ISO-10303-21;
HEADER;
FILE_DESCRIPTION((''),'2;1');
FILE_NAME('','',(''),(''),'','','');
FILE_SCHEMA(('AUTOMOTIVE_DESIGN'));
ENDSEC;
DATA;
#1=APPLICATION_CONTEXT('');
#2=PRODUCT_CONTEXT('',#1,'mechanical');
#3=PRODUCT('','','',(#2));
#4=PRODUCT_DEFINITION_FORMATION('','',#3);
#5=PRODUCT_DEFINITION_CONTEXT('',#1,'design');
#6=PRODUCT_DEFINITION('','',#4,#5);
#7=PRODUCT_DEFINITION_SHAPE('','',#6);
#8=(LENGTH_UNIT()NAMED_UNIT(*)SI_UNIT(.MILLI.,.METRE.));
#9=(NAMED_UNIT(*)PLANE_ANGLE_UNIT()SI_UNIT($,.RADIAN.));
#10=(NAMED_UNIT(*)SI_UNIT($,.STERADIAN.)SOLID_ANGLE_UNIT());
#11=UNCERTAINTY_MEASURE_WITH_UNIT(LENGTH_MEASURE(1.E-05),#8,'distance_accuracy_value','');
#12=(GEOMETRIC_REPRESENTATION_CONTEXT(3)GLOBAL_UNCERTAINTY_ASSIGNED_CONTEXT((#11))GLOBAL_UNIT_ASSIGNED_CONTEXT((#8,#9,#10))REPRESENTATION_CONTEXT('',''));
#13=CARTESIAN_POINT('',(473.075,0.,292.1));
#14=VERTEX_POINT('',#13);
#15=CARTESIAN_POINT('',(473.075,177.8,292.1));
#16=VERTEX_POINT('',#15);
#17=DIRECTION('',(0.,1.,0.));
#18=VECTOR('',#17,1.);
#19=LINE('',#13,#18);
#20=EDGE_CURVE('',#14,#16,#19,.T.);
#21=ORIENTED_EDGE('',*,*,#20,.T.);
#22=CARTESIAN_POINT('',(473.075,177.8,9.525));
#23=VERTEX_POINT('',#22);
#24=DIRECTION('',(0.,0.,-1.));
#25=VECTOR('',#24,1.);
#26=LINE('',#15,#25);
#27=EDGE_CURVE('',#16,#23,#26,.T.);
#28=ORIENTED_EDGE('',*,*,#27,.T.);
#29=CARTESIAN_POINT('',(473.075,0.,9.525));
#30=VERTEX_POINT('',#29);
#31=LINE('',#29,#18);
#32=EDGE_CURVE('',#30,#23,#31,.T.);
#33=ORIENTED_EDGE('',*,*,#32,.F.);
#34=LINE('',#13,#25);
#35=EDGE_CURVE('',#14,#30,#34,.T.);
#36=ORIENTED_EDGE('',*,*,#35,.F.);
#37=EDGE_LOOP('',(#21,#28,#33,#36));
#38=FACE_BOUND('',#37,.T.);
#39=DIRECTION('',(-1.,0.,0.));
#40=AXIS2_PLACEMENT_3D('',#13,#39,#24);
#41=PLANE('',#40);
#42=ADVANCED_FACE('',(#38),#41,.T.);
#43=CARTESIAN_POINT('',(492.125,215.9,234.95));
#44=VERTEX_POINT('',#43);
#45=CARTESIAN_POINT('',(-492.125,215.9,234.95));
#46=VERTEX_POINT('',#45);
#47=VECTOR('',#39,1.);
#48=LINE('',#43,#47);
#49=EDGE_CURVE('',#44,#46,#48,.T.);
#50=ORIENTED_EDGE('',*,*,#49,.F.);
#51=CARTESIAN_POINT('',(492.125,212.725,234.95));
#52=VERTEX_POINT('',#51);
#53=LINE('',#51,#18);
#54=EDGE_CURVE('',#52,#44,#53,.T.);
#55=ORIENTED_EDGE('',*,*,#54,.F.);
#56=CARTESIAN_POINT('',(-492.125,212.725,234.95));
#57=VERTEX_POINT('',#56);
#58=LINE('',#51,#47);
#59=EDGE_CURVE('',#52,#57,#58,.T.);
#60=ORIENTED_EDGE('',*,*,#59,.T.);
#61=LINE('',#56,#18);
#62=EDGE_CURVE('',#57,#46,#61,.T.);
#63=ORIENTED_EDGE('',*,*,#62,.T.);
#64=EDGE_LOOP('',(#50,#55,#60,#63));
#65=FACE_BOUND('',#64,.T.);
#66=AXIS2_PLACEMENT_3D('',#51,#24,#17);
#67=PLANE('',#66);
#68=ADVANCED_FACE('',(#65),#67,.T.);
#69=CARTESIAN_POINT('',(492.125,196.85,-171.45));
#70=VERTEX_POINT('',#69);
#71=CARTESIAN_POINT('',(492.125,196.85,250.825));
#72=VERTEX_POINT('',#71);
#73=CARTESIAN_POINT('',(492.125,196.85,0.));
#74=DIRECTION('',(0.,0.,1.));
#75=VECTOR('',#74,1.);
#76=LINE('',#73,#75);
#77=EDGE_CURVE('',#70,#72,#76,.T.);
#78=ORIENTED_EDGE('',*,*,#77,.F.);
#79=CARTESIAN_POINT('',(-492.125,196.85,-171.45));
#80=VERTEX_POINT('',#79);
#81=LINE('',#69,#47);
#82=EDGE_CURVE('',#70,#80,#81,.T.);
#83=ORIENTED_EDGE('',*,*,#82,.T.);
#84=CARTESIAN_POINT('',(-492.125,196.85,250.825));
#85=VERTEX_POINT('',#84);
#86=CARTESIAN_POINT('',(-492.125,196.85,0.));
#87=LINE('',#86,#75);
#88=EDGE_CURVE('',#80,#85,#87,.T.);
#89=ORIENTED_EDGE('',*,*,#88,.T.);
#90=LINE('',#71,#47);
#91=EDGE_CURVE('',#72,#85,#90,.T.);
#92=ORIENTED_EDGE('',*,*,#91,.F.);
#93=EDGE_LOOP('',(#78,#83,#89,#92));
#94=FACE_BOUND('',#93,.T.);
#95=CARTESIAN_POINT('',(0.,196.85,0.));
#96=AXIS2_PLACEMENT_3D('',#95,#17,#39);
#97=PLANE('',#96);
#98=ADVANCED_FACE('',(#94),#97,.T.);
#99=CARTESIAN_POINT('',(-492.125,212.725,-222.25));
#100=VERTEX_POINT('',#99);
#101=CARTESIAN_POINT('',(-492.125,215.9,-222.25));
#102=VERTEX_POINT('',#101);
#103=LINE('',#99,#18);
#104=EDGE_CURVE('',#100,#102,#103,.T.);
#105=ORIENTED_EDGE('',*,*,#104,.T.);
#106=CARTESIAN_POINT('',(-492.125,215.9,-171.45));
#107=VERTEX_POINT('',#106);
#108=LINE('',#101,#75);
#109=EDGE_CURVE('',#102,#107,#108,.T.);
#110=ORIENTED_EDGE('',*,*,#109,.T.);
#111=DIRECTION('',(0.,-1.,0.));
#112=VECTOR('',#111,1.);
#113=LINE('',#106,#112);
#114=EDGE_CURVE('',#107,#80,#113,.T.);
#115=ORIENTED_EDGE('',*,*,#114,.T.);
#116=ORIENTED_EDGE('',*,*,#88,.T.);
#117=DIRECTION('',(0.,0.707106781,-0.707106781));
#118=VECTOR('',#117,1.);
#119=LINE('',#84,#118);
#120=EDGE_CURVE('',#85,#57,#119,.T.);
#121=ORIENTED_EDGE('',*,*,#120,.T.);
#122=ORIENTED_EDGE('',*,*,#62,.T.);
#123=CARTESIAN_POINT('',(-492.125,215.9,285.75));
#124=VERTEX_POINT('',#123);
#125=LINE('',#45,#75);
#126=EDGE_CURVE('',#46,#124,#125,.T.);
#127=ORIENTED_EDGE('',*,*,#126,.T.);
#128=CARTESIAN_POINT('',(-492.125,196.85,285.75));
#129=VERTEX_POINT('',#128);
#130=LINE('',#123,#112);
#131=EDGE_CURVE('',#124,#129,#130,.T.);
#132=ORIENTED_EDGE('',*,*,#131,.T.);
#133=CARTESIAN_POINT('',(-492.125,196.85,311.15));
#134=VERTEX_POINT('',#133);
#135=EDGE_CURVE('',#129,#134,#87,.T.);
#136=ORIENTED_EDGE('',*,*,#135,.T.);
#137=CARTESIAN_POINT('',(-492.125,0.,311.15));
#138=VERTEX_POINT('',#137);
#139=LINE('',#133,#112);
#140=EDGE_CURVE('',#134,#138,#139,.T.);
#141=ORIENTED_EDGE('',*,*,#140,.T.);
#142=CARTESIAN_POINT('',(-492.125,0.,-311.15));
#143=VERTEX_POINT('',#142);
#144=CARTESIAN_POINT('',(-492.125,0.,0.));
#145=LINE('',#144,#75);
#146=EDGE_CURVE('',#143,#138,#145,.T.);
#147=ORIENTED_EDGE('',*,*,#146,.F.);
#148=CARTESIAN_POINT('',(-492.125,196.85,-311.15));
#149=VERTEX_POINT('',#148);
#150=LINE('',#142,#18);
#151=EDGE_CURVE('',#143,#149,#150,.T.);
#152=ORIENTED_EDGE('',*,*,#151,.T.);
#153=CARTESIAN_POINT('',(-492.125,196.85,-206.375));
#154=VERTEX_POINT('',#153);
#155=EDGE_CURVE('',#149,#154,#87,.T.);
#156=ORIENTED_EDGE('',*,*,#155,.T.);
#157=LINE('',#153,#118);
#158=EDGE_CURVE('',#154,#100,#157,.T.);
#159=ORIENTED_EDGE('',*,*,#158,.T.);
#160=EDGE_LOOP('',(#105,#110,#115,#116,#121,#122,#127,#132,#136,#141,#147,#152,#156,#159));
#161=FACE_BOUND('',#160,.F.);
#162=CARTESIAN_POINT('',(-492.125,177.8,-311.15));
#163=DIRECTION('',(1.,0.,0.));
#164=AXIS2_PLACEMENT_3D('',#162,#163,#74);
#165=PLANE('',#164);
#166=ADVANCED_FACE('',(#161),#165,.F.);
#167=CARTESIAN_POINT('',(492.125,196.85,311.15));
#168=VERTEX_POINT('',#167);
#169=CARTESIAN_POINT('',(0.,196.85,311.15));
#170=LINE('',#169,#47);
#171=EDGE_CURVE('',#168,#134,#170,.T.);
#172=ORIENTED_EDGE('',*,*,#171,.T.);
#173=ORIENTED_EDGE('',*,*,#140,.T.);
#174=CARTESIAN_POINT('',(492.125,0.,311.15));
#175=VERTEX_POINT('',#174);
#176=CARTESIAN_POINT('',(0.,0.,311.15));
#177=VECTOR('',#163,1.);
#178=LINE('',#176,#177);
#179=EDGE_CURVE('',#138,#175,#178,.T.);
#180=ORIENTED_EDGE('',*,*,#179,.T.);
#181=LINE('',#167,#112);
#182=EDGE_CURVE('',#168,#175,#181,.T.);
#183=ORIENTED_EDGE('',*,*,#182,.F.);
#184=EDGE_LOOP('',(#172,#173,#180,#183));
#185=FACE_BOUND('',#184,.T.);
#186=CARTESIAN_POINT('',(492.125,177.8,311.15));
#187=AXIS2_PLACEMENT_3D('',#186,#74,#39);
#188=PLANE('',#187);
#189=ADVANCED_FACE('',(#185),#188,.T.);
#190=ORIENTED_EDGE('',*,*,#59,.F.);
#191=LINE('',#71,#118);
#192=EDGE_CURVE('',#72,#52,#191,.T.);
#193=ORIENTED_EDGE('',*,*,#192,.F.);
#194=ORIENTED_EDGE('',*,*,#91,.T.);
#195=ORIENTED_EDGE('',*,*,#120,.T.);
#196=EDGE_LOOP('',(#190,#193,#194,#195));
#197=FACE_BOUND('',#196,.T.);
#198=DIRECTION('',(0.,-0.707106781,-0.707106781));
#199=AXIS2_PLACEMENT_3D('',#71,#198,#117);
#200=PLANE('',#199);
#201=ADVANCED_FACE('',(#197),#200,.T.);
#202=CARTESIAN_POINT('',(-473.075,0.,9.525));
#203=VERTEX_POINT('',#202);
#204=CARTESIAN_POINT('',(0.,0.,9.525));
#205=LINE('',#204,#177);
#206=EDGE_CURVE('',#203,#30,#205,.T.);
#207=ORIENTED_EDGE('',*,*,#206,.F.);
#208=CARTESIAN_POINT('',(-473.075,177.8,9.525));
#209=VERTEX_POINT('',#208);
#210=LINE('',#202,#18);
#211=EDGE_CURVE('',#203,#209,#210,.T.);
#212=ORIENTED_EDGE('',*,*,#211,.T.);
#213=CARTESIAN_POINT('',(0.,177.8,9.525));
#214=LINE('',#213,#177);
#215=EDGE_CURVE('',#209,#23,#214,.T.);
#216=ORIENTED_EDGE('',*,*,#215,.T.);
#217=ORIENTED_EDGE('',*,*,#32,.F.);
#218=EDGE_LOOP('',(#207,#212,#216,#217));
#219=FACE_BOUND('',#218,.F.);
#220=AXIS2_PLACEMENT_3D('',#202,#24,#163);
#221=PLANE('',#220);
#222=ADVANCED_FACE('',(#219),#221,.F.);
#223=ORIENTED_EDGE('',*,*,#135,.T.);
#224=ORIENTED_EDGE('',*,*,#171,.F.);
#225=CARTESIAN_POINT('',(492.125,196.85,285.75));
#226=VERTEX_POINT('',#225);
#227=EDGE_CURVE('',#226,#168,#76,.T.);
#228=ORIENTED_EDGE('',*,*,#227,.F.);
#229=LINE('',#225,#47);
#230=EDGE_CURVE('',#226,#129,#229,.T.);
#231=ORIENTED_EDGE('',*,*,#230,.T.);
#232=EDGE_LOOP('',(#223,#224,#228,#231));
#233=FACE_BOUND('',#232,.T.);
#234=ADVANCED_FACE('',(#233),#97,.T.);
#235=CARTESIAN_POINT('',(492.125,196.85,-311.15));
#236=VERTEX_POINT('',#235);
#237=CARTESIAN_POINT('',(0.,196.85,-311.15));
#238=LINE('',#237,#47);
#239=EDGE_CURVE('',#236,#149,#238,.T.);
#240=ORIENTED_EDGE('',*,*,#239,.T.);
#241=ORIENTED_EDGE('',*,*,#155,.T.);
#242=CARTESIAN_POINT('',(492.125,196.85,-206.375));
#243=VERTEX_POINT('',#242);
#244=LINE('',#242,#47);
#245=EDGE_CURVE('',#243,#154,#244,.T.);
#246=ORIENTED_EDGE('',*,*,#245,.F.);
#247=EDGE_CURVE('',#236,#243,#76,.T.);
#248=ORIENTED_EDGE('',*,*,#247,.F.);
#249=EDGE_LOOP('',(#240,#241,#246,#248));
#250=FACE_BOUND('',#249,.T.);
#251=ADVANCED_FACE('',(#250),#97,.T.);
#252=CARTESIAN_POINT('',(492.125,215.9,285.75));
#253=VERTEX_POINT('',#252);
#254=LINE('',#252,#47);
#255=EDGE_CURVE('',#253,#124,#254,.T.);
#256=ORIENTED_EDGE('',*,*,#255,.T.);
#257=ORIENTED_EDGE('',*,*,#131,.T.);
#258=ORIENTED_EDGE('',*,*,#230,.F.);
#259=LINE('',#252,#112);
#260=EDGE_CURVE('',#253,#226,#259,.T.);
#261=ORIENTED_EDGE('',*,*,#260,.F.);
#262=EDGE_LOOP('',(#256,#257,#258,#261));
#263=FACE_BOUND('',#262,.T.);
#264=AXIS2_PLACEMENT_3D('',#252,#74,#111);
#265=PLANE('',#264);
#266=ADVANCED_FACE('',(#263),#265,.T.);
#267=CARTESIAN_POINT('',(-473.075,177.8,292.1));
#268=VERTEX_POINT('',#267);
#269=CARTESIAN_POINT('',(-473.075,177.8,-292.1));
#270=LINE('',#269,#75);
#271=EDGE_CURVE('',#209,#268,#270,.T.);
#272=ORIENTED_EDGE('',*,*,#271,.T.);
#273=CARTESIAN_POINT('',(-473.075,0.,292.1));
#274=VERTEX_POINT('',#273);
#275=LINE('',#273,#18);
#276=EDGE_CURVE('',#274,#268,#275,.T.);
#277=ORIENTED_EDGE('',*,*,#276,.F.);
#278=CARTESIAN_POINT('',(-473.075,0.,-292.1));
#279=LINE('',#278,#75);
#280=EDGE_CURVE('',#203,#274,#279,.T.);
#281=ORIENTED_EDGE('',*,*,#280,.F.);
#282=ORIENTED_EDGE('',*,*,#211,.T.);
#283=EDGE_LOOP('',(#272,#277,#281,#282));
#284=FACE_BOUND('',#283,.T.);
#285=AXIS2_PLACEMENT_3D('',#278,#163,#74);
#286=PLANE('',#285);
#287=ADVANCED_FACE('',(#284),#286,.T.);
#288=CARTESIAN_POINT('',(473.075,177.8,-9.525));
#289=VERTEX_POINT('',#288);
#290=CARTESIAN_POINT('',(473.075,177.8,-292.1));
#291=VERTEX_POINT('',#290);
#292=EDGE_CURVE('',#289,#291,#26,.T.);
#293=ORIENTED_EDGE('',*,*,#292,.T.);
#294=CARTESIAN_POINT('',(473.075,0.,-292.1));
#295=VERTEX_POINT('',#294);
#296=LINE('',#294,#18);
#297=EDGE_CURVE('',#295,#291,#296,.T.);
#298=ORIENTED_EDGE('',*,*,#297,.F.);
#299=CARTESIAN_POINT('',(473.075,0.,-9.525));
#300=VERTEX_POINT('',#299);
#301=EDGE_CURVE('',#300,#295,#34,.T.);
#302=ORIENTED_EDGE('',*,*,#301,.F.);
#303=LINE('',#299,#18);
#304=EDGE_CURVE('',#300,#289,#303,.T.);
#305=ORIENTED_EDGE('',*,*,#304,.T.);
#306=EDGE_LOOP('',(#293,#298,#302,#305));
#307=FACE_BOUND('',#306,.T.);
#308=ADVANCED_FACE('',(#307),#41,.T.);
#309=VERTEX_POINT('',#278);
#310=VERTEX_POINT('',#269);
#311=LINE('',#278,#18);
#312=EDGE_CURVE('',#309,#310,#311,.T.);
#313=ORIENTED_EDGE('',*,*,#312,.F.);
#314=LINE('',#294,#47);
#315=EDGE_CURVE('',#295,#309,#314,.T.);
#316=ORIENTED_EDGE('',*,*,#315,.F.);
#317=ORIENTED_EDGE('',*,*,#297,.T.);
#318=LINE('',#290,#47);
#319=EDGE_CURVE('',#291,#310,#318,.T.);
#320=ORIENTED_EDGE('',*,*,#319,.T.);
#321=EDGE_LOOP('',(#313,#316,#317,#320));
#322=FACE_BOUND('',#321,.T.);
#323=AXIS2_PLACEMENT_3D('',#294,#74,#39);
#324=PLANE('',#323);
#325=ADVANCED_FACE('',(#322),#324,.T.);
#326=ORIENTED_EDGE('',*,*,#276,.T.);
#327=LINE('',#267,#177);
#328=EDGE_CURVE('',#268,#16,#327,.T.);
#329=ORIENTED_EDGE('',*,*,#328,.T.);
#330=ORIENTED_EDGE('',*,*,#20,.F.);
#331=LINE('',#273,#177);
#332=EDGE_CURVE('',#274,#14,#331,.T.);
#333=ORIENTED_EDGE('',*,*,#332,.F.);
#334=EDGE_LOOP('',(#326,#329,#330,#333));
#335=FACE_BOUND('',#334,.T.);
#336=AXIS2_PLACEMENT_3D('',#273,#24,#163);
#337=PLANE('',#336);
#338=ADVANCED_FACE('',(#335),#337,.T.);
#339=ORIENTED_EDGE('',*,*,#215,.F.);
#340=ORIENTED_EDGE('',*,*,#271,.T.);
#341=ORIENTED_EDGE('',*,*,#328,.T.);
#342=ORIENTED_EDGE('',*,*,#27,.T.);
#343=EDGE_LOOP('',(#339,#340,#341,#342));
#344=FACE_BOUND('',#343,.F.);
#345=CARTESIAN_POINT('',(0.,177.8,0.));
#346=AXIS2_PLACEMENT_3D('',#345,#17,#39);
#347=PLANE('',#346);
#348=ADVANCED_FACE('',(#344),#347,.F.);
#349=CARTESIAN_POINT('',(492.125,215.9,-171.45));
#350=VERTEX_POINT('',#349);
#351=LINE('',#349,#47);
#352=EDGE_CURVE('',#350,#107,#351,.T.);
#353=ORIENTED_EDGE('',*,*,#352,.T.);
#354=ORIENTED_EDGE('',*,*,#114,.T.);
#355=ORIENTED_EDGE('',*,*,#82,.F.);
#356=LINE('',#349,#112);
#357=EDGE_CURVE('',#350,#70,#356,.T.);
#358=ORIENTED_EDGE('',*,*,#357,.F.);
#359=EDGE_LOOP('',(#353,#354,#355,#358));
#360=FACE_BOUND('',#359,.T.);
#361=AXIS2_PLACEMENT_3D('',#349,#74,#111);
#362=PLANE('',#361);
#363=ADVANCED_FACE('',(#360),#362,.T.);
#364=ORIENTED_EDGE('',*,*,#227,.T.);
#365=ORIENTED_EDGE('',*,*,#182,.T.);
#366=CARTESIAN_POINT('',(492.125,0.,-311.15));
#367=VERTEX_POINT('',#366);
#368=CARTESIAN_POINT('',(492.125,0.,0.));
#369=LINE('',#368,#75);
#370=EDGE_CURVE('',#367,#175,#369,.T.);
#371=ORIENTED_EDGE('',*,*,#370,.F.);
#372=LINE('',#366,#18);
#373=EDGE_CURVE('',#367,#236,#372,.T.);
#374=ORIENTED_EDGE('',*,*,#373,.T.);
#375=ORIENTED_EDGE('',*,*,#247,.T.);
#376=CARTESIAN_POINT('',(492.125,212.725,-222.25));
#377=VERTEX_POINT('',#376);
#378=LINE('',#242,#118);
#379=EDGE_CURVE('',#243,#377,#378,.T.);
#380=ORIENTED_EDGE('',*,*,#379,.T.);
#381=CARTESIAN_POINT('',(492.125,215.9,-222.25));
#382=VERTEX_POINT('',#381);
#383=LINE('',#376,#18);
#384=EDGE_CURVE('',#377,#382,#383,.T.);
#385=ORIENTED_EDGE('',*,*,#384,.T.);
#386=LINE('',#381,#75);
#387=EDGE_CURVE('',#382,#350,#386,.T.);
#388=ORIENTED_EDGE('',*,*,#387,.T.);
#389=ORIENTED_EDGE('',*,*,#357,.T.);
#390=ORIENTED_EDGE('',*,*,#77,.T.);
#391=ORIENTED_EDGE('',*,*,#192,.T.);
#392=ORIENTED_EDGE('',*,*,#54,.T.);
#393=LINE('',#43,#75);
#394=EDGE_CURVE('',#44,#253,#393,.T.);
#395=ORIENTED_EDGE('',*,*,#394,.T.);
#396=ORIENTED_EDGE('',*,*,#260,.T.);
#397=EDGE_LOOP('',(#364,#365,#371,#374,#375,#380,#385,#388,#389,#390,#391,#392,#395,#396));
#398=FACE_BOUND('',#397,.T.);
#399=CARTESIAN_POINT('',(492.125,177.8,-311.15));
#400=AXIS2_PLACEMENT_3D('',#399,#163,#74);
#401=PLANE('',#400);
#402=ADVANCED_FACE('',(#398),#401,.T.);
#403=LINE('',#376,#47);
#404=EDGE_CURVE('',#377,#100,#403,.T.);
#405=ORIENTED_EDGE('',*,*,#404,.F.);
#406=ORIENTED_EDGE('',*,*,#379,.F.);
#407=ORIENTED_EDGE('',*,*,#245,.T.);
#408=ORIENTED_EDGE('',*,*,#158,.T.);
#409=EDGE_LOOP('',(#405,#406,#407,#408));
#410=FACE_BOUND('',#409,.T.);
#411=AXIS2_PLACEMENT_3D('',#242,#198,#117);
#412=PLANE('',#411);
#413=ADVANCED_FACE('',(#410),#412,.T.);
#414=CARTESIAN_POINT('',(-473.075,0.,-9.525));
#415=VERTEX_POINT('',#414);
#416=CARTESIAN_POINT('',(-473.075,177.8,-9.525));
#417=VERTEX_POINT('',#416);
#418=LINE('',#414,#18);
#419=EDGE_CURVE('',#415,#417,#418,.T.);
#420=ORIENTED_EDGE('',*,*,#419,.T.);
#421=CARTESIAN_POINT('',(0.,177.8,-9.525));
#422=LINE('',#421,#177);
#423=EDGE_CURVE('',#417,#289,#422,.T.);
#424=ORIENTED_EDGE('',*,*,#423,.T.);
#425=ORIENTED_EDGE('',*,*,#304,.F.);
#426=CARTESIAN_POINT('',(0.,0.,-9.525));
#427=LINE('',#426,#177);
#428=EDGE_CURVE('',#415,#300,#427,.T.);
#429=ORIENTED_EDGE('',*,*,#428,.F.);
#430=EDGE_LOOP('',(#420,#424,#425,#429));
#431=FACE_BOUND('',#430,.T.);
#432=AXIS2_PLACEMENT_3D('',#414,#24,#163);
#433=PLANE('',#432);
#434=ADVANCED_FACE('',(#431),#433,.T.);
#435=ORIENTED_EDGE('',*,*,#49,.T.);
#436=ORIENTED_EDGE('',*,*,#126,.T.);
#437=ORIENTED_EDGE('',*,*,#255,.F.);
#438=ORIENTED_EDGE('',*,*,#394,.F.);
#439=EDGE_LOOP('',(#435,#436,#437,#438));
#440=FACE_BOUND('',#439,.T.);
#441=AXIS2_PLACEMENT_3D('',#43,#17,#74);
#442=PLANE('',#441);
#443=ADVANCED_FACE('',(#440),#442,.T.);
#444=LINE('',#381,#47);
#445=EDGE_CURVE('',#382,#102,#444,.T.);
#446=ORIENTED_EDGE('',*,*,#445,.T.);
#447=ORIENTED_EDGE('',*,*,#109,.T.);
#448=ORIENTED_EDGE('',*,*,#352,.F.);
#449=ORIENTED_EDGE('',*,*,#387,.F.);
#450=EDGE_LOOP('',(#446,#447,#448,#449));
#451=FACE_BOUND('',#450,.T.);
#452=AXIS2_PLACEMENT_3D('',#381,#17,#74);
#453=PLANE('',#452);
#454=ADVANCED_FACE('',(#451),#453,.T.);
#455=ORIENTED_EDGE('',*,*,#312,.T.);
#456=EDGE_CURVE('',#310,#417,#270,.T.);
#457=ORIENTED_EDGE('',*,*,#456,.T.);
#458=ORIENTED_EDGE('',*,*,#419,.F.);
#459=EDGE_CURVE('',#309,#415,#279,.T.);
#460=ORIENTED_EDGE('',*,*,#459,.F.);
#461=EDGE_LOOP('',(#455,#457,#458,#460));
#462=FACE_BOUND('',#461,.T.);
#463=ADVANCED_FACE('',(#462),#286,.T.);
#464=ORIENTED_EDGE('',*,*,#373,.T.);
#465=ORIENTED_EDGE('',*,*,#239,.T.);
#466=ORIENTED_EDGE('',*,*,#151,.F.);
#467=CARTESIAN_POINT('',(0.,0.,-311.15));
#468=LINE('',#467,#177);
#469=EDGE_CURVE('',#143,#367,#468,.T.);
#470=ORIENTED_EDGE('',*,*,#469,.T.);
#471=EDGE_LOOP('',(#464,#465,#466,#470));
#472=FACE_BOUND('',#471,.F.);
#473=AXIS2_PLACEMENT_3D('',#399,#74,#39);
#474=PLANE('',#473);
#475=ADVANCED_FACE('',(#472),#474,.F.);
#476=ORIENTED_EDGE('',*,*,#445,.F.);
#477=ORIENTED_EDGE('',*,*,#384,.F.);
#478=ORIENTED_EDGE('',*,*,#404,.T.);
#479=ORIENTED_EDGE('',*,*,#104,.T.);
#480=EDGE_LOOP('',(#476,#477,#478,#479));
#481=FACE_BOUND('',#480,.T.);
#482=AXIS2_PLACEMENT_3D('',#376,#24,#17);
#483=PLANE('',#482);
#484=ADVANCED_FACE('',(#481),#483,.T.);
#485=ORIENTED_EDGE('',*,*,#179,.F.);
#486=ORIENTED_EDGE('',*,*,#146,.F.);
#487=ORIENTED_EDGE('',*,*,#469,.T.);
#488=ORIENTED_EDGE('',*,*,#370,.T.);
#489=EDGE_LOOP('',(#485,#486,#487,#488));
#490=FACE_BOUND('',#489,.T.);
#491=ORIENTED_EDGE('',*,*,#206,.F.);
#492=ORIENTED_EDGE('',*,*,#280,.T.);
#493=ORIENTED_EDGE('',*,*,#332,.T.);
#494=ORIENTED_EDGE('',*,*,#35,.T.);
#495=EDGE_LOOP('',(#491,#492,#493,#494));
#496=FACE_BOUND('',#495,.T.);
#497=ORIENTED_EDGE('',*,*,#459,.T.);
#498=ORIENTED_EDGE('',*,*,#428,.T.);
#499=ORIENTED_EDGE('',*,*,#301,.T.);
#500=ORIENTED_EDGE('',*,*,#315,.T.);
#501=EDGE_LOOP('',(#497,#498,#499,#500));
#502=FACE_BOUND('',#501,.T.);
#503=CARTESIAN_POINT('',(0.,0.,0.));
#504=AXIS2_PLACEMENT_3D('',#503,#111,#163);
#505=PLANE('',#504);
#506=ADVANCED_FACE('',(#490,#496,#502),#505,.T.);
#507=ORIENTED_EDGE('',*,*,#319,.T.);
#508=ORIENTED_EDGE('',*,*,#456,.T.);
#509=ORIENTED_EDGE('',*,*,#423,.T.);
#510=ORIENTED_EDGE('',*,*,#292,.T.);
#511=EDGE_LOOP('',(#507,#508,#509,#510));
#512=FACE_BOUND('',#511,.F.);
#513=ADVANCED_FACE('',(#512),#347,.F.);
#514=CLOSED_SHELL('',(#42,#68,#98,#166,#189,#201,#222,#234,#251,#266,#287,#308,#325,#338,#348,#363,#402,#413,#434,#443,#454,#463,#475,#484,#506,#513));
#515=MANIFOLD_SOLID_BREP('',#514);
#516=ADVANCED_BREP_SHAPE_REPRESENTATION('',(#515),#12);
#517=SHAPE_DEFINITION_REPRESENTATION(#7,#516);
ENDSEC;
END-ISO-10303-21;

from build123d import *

# Parameters (mm, degrees)
F0_W     = 984.25
F0_H     = 622.3
F1_DEPTH = 177.8
F2_W     = 984.25
F2_H     = 622.3
F3_DEPTH = 19.05
F0_W_2   = 946.15
F0_H_2   = 19.05
F4_DEPTH = 177.8
F6_DEPTH = 984.25


with BuildPart() as f1:
    # F0 (on Front) → F1 (new body)
    with BuildSketch(Plane.XZ):
        Rectangle(F0_W, F0_H)
        Polygon((473.075, -292.1), (-473.075, -292.1), (-473.075, -9.525), (-473.075, 9.525), (-473.075, 292.1), (473.075, 292.1), (473.075, 9.525), (473.075, -9.525), align=None, mode=Mode.SUBTRACT)
    extrude(amount=-F1_DEPTH)

    # F2 (on face) → F3 (join)
    with BuildSketch(Plane(origin=(0, 177.8, 0), x_dir=(-1, 0, 0), z_dir=(0, 1, 0))):
        Rectangle(F2_W, F2_H)
    extrude(amount=F3_DEPTH)

    # F0 (on Front) → F4 (join)
    with BuildSketch(Plane.XZ):
        Rectangle(F0_W_2, F0_H_2)
    extrude(amount=-F4_DEPTH)

    # F5 (on face) → F6 (join)
    with BuildSketch(Plane.YZ.offset(492.125)):
        Polygon((215.9, 285.75), (196.85, 285.75), (196.85, 250.825), (212.725, 234.95), (215.9, 234.95), align=None)
        Polygon((215.9, -171.45), (196.85, -171.45), (196.85, -206.375), (212.725, -222.25), (215.9, -222.25), align=None)
    extrude(amount=-F6_DEPTH)


solid = f1.part
